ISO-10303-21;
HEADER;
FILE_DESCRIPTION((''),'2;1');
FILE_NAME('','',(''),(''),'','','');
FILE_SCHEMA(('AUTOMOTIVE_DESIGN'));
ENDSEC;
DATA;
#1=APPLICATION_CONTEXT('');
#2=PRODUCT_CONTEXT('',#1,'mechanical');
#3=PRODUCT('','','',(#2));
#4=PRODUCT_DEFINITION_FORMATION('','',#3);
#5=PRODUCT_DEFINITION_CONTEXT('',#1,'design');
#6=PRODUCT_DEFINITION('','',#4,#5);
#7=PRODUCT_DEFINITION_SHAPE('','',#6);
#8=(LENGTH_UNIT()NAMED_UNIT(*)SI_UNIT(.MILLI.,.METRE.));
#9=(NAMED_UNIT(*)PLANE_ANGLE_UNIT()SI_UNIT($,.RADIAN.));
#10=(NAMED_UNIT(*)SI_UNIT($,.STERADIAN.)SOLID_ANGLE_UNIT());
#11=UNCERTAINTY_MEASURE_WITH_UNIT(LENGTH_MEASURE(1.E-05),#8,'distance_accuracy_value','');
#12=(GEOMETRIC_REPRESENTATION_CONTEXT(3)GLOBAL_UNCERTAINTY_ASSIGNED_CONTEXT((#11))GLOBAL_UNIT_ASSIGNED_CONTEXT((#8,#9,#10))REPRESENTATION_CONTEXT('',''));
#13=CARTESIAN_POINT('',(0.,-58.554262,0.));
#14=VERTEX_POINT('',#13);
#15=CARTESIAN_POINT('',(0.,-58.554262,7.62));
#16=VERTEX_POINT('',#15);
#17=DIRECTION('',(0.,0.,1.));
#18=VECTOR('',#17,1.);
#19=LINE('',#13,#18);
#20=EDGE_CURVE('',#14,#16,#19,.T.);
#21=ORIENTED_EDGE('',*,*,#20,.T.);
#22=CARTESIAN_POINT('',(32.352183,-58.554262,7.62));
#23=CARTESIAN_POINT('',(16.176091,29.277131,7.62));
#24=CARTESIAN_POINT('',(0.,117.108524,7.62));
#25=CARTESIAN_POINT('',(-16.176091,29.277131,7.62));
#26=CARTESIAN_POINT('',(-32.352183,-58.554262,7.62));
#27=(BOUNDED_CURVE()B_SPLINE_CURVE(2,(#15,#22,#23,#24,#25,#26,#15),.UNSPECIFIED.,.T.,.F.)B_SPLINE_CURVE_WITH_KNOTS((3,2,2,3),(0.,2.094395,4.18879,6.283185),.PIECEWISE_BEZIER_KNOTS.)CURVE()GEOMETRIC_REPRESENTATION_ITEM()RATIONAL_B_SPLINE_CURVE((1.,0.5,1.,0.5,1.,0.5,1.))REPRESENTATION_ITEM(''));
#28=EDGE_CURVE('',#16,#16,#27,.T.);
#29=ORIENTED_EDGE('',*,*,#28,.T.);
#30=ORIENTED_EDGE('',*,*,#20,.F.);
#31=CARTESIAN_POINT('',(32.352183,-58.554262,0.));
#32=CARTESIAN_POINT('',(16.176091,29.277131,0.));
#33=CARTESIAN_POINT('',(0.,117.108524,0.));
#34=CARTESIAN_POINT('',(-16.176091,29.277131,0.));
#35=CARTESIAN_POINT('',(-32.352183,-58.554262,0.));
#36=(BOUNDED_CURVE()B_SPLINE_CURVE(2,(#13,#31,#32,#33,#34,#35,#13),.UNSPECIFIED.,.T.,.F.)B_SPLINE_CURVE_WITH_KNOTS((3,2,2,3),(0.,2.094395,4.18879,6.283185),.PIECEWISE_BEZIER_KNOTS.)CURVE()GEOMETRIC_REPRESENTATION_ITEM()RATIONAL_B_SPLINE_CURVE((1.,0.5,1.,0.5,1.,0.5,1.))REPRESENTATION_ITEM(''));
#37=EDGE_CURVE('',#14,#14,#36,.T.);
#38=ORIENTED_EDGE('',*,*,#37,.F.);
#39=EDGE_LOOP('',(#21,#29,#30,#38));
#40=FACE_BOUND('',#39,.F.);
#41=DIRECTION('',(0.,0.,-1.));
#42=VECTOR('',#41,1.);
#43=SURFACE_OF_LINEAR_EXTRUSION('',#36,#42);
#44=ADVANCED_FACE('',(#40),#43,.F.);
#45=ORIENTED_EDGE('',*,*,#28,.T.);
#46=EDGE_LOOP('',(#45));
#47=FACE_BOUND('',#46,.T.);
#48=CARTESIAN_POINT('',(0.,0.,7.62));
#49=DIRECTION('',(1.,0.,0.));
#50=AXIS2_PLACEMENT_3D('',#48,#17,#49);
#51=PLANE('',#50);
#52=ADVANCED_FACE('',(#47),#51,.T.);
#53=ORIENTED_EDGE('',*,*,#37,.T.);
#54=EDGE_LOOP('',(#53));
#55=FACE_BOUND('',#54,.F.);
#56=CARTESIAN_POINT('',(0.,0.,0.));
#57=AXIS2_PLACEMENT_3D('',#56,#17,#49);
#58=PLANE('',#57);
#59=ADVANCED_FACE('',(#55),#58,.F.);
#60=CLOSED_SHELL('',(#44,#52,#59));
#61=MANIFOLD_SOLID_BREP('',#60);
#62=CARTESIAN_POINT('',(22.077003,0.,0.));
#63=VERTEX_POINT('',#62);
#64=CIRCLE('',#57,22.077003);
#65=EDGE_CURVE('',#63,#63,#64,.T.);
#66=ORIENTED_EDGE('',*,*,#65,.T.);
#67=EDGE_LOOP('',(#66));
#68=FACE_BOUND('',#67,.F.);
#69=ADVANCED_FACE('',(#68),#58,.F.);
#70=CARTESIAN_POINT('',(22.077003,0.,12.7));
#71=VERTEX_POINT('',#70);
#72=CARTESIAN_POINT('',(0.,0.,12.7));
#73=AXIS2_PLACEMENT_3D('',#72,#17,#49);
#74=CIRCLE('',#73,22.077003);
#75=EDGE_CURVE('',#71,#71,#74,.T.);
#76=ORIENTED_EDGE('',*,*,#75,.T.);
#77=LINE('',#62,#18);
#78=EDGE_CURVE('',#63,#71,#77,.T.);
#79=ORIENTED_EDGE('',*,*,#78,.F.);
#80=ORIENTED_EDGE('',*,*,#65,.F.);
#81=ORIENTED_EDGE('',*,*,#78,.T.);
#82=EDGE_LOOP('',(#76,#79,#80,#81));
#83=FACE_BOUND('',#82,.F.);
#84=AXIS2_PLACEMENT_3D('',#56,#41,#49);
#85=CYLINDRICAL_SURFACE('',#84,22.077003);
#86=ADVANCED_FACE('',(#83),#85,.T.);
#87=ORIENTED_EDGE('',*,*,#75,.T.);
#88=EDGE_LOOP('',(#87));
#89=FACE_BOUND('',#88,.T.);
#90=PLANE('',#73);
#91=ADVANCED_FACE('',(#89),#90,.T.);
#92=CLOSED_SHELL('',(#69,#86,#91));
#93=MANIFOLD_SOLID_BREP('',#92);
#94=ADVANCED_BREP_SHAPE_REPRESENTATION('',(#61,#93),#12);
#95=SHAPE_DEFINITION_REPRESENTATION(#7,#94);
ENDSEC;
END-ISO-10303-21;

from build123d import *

# Parameters (mm, degrees)
F0_R     = 22.077003
F1_DEPTH = 12.7
F3_DEPTH = 7.62
F5_DEPTH = 7.62


with BuildPart() as f1:
    # F0 (on Top) → F1 (new body)
    with BuildSketch(Plane.XY):
        Circle(F0_R)
    extrude(amount=F1_DEPTH)


with BuildPart() as f3:
    # F2 (on Top) → F3 (new body)
    with BuildSketch(Plane.XY):
        with BuildLine():
            add(Edge.make_bspline(
                [(59.156366, 0), (59.156366, 30.912905), (-29.578183, 15.456453), (-118.312731, 0), (-29.578183, -15.456453), (59.156366, -30.912905), (59.156366, 0)],
                knots=[0, 0, 0, 2.094395, 2.094395, 4.18879, 4.18879, 6.283185, 6.283185, 6.283185], degree=2, weights=[1, 0.5, 1, 0.5, 1, 0.5, 1]))
        make_face()
    extrude(amount=F3_DEPTH)


with BuildPart() as f5:
    # F4 (on Top) → F5 (new body)
    with BuildSketch(Plane.XY):
        with BuildLine():
            add(Edge.make_bspline(
                [(0, -58.554262), (32.352183, -58.554262), (16.176091, 29.277131), (0, 117.108524), (-16.176091, 29.277131), (-32.352183, -58.554262), (0, -58.554262)],
                knots=[0, 0, 0, 2.094395, 2.094395, 4.18879, 4.18879, 6.283185, 6.283185, 6.283185], degree=2, weights=[1, 0.5, 1, 0.5, 1, 0.5, 1]))
        make_face()
    extrude(amount=F5_DEPTH)


solid = Compound([f1.part, f5.part])
